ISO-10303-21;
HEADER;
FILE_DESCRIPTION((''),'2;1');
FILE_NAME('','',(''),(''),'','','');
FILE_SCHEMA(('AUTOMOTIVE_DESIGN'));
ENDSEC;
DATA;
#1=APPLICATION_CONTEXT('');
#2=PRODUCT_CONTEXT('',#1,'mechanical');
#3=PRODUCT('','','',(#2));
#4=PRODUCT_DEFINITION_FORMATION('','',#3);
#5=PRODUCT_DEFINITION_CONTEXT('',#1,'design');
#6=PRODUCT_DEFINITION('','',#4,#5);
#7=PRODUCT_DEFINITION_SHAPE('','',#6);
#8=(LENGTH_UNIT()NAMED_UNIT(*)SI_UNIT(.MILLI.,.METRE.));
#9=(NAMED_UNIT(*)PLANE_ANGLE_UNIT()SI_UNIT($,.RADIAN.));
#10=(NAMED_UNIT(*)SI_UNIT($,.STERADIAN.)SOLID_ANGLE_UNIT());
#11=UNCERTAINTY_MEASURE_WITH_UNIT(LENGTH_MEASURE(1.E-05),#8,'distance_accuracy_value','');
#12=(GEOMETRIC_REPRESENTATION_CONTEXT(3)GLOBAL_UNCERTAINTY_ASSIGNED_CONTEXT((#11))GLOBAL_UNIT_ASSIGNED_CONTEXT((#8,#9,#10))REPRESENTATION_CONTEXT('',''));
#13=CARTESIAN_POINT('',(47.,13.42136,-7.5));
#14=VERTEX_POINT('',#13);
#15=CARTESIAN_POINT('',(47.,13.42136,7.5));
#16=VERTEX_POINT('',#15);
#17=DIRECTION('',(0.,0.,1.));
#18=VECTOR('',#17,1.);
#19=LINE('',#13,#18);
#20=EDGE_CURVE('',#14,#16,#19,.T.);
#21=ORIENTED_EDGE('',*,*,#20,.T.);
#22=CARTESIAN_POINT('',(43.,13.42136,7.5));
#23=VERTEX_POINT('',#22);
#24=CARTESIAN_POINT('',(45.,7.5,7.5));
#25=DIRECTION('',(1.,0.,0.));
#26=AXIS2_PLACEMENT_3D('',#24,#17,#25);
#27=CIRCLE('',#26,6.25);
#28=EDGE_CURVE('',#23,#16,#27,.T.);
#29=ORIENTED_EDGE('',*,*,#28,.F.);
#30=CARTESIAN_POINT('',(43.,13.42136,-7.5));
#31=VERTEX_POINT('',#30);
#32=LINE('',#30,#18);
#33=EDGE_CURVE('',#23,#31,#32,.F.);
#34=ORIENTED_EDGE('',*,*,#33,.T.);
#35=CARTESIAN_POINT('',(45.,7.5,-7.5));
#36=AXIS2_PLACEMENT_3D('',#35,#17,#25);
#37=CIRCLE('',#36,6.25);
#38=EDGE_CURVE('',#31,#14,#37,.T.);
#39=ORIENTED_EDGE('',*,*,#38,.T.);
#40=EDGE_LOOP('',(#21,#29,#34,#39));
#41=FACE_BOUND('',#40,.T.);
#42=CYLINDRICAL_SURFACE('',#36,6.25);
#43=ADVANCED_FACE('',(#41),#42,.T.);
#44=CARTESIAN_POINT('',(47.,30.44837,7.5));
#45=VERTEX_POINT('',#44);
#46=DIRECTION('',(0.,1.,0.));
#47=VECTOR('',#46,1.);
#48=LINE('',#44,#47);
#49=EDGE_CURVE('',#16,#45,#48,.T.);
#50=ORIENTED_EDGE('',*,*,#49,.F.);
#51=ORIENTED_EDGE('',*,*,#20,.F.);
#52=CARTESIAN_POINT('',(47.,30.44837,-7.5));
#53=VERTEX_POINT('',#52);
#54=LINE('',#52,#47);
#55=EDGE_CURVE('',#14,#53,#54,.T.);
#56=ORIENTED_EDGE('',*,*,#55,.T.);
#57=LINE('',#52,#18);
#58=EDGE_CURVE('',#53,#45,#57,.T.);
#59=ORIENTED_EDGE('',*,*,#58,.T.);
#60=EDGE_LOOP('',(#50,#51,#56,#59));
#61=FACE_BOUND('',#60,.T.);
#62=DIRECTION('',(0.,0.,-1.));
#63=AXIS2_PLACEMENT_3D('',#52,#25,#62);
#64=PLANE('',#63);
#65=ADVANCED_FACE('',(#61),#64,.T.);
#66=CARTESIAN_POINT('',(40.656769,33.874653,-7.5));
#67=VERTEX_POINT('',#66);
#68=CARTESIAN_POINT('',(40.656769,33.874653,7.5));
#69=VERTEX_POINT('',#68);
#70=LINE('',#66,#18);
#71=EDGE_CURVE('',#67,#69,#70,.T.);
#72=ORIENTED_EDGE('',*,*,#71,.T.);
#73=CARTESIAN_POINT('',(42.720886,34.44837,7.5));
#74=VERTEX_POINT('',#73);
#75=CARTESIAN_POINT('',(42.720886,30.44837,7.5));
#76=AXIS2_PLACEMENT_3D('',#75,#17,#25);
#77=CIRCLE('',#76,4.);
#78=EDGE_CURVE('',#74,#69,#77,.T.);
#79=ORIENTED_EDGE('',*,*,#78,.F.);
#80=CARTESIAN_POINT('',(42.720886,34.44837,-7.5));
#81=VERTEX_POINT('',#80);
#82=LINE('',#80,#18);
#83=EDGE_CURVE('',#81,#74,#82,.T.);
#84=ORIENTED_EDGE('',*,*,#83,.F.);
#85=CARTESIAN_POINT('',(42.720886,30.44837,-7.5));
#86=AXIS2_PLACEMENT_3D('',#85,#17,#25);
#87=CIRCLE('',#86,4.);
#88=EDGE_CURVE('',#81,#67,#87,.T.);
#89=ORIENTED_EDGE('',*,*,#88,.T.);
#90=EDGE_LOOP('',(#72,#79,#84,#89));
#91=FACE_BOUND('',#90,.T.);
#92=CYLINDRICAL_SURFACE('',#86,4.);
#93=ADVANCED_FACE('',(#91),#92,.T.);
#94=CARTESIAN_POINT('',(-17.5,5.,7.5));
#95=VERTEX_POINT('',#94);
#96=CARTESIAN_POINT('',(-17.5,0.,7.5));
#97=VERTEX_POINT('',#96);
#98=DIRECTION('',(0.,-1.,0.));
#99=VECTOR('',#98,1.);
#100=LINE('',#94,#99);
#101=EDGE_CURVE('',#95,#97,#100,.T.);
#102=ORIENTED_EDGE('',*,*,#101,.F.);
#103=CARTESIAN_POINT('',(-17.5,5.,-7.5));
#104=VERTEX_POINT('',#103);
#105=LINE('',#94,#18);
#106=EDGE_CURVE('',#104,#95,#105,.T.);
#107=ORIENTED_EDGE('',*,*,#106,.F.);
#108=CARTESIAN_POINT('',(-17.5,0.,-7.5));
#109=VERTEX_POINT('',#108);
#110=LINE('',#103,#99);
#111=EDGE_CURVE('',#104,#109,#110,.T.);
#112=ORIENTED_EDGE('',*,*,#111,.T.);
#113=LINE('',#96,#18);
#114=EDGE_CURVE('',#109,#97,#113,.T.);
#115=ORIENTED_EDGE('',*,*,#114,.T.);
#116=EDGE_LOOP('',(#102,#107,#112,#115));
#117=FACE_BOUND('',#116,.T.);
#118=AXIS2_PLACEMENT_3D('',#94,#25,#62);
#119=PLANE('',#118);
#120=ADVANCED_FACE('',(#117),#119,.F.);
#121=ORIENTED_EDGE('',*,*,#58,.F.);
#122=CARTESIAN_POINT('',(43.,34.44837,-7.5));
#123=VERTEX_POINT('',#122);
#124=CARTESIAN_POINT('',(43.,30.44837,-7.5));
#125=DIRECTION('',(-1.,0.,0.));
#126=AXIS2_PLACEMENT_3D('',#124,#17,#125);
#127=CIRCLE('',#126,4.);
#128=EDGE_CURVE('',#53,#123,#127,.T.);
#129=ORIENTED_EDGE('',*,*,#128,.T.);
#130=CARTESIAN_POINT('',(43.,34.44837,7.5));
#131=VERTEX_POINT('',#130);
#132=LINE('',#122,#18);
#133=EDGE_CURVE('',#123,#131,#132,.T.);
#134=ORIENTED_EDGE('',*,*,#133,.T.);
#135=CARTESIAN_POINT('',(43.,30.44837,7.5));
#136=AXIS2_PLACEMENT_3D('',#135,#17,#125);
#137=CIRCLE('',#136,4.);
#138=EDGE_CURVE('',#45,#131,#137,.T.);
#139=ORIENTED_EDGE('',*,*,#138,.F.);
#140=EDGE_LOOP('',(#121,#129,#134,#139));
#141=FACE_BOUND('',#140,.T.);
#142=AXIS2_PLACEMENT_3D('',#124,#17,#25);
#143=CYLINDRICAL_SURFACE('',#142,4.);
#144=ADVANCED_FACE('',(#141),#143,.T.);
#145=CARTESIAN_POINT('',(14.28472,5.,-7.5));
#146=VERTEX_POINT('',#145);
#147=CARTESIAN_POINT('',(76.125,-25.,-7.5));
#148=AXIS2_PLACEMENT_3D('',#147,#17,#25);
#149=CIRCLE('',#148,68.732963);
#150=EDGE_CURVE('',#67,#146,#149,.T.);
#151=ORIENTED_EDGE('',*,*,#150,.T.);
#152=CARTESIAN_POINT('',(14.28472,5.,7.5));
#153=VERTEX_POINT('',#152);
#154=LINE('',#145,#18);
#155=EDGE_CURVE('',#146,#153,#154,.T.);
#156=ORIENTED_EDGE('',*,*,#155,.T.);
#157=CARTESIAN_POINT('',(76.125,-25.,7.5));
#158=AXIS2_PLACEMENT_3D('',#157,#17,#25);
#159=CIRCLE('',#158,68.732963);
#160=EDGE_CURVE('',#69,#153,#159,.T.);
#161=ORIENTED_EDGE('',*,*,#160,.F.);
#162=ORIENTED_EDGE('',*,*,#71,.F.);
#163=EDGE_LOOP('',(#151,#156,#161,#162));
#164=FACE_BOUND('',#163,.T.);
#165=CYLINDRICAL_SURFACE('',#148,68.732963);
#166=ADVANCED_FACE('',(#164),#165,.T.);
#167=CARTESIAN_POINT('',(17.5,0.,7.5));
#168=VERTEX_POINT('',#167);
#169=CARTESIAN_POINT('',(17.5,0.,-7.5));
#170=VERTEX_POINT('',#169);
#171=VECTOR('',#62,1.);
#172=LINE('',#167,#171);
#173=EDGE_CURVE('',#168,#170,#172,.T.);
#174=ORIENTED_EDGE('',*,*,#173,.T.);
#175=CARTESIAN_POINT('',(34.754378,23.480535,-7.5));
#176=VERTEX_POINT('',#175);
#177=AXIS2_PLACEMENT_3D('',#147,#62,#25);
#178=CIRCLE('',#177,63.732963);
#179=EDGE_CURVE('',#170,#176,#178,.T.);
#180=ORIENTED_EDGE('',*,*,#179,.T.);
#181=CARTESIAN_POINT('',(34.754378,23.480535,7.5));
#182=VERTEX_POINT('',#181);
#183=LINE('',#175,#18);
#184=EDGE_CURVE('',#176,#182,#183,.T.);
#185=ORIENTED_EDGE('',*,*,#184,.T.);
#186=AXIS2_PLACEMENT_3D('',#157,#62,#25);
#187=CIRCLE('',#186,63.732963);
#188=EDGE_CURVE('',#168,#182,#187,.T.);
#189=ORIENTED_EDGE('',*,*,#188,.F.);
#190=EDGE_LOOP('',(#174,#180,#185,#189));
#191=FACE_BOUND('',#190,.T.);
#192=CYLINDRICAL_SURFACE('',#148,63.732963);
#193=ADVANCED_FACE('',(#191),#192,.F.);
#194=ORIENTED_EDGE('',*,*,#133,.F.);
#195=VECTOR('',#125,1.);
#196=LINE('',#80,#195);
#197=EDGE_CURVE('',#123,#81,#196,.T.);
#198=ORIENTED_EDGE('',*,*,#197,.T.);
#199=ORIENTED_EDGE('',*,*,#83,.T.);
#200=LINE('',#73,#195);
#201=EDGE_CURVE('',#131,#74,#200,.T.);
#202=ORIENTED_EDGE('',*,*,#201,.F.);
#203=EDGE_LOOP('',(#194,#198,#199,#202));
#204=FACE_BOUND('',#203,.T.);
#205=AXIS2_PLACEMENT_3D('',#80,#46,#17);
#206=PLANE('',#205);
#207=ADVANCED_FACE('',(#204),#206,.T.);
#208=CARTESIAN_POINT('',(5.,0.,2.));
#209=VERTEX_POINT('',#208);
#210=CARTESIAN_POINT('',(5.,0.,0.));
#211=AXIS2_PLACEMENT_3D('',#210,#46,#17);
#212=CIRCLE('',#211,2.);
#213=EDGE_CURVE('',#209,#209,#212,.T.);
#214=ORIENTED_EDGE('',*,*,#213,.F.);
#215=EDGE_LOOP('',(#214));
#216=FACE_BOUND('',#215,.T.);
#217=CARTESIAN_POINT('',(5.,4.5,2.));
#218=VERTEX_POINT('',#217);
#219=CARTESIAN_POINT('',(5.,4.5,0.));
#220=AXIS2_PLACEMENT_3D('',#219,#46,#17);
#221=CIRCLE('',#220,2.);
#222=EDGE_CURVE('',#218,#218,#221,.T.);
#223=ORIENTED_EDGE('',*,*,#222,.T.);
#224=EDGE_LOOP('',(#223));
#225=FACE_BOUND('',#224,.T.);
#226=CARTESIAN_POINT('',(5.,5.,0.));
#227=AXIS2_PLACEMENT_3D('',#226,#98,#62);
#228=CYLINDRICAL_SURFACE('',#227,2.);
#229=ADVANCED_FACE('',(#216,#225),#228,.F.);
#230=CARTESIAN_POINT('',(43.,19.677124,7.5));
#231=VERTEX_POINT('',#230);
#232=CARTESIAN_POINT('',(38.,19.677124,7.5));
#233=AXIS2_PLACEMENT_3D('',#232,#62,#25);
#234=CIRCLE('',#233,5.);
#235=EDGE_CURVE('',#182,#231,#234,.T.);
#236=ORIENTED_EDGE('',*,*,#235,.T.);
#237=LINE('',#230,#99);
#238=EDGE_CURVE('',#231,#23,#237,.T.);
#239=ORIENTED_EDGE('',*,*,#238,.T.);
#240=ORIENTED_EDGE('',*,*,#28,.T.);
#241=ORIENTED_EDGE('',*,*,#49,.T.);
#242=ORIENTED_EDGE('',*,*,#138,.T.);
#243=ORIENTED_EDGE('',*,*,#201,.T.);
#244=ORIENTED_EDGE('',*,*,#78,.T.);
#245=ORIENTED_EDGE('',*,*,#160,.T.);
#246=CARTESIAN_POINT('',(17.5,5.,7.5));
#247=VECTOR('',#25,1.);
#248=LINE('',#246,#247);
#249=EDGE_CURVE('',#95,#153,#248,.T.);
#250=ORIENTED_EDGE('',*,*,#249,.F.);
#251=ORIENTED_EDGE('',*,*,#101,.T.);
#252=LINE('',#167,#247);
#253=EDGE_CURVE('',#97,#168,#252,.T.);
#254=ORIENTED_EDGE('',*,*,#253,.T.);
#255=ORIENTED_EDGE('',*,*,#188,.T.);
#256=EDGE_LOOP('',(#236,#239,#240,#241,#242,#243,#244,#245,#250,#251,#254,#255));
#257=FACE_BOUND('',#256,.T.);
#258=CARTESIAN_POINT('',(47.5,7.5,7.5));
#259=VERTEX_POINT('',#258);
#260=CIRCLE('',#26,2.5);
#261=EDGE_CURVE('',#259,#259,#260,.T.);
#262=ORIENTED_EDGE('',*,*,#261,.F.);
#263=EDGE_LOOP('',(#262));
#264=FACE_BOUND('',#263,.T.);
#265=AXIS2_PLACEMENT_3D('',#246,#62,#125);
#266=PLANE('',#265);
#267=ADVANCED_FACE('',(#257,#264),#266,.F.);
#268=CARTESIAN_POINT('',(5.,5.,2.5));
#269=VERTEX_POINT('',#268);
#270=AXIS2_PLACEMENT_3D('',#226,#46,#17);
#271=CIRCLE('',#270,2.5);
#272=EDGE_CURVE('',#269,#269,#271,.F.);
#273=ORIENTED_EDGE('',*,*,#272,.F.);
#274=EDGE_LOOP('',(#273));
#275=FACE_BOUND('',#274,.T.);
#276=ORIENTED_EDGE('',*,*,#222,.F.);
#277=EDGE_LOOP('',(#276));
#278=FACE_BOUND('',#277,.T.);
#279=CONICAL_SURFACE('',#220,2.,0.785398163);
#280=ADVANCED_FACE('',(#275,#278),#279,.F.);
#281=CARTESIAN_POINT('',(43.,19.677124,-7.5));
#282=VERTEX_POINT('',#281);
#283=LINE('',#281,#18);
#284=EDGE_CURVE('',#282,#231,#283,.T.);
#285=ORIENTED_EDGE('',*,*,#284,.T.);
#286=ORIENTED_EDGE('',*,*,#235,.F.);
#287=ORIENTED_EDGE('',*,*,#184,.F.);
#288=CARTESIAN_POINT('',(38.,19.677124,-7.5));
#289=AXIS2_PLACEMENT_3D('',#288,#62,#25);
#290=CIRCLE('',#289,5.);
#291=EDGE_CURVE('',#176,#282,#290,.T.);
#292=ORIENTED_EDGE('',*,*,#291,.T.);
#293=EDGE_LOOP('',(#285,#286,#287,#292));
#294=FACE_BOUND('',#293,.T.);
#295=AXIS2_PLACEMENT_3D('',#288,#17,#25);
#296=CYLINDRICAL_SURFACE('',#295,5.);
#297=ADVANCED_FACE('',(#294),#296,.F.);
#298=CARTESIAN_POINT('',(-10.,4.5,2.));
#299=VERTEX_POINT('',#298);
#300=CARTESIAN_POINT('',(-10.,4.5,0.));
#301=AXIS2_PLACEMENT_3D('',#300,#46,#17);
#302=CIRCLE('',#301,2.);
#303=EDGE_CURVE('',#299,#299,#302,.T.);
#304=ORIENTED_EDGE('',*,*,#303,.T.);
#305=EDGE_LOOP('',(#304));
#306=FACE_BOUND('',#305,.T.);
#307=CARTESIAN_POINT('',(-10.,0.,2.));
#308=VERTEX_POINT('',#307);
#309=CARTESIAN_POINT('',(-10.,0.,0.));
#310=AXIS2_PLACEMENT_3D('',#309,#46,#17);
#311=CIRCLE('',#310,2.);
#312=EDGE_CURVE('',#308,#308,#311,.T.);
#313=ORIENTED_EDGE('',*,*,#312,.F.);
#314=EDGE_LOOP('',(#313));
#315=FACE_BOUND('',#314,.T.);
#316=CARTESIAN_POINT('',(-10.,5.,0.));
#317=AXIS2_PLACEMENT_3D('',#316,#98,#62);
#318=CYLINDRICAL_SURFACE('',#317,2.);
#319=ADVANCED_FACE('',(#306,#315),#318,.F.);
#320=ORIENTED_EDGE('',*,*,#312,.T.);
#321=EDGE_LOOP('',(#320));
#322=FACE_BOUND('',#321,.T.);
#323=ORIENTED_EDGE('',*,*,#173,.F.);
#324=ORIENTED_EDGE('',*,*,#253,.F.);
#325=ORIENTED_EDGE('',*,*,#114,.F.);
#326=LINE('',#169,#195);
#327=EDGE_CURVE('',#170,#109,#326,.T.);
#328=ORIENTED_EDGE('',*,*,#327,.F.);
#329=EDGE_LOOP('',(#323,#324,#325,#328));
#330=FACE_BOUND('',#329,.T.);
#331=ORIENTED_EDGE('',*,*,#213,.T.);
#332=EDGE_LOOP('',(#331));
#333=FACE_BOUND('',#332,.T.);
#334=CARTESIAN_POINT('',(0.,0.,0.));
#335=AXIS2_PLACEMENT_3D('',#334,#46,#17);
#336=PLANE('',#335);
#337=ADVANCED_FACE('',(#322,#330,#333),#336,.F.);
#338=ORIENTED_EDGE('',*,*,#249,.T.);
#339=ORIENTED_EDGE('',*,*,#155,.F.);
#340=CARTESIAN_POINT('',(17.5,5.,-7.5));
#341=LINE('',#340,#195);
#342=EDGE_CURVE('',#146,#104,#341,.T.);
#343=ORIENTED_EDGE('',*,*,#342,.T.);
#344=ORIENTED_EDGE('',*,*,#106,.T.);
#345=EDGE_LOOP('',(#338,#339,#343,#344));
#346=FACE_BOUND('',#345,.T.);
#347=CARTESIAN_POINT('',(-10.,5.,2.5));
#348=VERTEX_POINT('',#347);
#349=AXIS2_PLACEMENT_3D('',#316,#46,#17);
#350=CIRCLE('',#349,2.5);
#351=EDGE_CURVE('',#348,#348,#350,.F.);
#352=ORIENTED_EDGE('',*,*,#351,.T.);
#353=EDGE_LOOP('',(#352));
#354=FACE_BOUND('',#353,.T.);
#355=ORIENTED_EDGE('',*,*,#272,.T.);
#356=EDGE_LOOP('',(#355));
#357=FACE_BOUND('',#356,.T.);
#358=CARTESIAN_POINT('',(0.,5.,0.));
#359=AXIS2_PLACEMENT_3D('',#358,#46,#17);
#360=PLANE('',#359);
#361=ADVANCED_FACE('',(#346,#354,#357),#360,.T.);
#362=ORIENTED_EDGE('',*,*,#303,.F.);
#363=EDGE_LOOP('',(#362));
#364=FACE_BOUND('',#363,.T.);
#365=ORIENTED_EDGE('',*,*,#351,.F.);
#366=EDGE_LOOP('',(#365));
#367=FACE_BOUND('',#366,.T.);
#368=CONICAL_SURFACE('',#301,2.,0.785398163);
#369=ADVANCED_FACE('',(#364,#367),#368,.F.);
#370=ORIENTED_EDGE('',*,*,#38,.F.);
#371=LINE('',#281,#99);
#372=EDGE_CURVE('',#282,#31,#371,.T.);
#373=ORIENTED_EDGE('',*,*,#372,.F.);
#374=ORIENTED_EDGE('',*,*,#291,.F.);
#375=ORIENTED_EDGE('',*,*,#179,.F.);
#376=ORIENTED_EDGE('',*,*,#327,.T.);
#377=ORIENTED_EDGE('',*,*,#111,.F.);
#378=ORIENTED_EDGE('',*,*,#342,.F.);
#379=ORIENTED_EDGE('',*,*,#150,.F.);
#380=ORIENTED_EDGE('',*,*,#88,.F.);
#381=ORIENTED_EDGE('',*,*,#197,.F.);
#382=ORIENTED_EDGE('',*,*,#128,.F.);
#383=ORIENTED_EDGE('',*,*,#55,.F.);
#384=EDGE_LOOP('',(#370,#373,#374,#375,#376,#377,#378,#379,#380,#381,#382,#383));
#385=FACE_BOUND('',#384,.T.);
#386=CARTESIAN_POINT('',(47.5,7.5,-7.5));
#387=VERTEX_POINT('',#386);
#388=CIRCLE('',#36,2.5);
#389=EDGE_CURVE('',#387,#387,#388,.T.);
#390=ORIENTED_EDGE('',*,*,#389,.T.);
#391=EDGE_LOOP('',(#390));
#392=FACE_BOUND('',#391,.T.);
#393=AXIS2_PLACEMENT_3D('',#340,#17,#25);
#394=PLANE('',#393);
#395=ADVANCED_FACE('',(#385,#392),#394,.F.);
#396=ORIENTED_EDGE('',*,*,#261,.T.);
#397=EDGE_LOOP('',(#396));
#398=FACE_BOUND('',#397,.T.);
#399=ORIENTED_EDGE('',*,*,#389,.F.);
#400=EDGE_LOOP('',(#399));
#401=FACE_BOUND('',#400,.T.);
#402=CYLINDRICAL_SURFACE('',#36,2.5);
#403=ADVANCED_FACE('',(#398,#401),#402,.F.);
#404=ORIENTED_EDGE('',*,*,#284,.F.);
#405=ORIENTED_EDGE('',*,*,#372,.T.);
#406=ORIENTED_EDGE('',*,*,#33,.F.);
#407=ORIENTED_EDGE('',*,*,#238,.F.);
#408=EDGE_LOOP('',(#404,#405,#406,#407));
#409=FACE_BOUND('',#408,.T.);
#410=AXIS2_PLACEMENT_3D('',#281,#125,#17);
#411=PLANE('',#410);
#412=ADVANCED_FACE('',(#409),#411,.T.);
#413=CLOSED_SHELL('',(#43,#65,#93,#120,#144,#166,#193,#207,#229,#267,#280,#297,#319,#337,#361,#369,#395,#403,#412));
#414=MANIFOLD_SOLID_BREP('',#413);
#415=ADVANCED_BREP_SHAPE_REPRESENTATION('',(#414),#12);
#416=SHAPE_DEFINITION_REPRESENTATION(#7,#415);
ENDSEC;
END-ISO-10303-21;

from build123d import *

# Parameters (mm, degrees)
SKETCH2_W           = 35
SKETCH2_H           = 15
SKETCH2_R           = 2
BOSS_EXTRUDE1_DEPTH = 5
BOSS_EXTRUDE6_DEPTH = 15
SKETCH8_R           = 6.25
BOSS_EXTRUDE7_DEPTH = 15
SKETCH10_R          = 2.5
CUT_EXTRUDE1_DEPTH  = 15
CHAMFER1_SIZE       = 0.5


with BuildPart() as part:
    # Sketch2 → Boss-Extrude1 (new body)
    with BuildSketch(Plane(origin=(0, 0, 0), x_dir=(1, 0, 0), z_dir=(0, 1, 0))):
        Rectangle(SKETCH2_W, SKETCH2_H)
        with Locations(Location((-10, 0, 0), (0, 0, 270))):
            Circle(SKETCH2_R, mode=Mode.SUBTRACT)
        with Locations(Location((5, 0, 0), (0, 0, 270))):
            Circle(SKETCH2_R, mode=Mode.SUBTRACT)
    extrude(amount=BOSS_EXTRUDE1_DEPTH)

    # Sketch6 → Boss-Extrude6 (add)
    with BuildSketch(Plane.XY.offset(7.5)):
        with BuildLine():
            Line((17.5, 0), (12.099846669, 0))
            ThreePointArc((12.099846669, 0), (23.57401107, 19.301397513), (40.656768617, 33.874653474))
            ThreePointArc((40.656768617, 33.874653474), (41.649703253, 34.30227285), (42.720886305, 34.44837004))
            Line((42.720886305, 34.44837004), (43, 34.44837004))
            ThreePointArc((43, 34.44837004), (45.828427125, 33.276797165), (47, 30.44837004))
            Line((47, 30.44837004), (47, 7.5))
            Line((47, 7.5), (43, 7.5))
            Line((43, 7.5), (43, 19.677123519))
            ThreePointArc((43, 19.677123519), (40.094264769, 24.217393894), (34.754377969, 23.480534834))
            ThreePointArc((34.754377969, 23.480534834), (24.767284072, 12.739576569), (17.5, 0))
        make_face()
    extrude(amount=-BOSS_EXTRUDE6_DEPTH)

    # Sketch8 → Boss-Extrude7 (add)
    with BuildSketch(Plane.XY.offset(7.5)):
        with Locations((45, 7.5)):
            Circle(SKETCH8_R)
    extrude(amount=-BOSS_EXTRUDE7_DEPTH)

    # Sketch10 → Cut-Extrude1 (cut)
    with BuildSketch(Plane.XY.offset(7.5)):
        with Locations((45, 7.5)):
            Circle(SKETCH10_R)
    extrude(amount=-CUT_EXTRUDE1_DEPTH, mode=Mode.SUBTRACT)

    # Chamfer1
    chamfer1_edges = [part.edges().sort_by_distance(p)[0] for p in [
        (-10, 5, -2),
        (5, 5, -2),
    ]]
    chamfer(chamfer1_edges, length=CHAMFER1_SIZE)


solid = part.part
